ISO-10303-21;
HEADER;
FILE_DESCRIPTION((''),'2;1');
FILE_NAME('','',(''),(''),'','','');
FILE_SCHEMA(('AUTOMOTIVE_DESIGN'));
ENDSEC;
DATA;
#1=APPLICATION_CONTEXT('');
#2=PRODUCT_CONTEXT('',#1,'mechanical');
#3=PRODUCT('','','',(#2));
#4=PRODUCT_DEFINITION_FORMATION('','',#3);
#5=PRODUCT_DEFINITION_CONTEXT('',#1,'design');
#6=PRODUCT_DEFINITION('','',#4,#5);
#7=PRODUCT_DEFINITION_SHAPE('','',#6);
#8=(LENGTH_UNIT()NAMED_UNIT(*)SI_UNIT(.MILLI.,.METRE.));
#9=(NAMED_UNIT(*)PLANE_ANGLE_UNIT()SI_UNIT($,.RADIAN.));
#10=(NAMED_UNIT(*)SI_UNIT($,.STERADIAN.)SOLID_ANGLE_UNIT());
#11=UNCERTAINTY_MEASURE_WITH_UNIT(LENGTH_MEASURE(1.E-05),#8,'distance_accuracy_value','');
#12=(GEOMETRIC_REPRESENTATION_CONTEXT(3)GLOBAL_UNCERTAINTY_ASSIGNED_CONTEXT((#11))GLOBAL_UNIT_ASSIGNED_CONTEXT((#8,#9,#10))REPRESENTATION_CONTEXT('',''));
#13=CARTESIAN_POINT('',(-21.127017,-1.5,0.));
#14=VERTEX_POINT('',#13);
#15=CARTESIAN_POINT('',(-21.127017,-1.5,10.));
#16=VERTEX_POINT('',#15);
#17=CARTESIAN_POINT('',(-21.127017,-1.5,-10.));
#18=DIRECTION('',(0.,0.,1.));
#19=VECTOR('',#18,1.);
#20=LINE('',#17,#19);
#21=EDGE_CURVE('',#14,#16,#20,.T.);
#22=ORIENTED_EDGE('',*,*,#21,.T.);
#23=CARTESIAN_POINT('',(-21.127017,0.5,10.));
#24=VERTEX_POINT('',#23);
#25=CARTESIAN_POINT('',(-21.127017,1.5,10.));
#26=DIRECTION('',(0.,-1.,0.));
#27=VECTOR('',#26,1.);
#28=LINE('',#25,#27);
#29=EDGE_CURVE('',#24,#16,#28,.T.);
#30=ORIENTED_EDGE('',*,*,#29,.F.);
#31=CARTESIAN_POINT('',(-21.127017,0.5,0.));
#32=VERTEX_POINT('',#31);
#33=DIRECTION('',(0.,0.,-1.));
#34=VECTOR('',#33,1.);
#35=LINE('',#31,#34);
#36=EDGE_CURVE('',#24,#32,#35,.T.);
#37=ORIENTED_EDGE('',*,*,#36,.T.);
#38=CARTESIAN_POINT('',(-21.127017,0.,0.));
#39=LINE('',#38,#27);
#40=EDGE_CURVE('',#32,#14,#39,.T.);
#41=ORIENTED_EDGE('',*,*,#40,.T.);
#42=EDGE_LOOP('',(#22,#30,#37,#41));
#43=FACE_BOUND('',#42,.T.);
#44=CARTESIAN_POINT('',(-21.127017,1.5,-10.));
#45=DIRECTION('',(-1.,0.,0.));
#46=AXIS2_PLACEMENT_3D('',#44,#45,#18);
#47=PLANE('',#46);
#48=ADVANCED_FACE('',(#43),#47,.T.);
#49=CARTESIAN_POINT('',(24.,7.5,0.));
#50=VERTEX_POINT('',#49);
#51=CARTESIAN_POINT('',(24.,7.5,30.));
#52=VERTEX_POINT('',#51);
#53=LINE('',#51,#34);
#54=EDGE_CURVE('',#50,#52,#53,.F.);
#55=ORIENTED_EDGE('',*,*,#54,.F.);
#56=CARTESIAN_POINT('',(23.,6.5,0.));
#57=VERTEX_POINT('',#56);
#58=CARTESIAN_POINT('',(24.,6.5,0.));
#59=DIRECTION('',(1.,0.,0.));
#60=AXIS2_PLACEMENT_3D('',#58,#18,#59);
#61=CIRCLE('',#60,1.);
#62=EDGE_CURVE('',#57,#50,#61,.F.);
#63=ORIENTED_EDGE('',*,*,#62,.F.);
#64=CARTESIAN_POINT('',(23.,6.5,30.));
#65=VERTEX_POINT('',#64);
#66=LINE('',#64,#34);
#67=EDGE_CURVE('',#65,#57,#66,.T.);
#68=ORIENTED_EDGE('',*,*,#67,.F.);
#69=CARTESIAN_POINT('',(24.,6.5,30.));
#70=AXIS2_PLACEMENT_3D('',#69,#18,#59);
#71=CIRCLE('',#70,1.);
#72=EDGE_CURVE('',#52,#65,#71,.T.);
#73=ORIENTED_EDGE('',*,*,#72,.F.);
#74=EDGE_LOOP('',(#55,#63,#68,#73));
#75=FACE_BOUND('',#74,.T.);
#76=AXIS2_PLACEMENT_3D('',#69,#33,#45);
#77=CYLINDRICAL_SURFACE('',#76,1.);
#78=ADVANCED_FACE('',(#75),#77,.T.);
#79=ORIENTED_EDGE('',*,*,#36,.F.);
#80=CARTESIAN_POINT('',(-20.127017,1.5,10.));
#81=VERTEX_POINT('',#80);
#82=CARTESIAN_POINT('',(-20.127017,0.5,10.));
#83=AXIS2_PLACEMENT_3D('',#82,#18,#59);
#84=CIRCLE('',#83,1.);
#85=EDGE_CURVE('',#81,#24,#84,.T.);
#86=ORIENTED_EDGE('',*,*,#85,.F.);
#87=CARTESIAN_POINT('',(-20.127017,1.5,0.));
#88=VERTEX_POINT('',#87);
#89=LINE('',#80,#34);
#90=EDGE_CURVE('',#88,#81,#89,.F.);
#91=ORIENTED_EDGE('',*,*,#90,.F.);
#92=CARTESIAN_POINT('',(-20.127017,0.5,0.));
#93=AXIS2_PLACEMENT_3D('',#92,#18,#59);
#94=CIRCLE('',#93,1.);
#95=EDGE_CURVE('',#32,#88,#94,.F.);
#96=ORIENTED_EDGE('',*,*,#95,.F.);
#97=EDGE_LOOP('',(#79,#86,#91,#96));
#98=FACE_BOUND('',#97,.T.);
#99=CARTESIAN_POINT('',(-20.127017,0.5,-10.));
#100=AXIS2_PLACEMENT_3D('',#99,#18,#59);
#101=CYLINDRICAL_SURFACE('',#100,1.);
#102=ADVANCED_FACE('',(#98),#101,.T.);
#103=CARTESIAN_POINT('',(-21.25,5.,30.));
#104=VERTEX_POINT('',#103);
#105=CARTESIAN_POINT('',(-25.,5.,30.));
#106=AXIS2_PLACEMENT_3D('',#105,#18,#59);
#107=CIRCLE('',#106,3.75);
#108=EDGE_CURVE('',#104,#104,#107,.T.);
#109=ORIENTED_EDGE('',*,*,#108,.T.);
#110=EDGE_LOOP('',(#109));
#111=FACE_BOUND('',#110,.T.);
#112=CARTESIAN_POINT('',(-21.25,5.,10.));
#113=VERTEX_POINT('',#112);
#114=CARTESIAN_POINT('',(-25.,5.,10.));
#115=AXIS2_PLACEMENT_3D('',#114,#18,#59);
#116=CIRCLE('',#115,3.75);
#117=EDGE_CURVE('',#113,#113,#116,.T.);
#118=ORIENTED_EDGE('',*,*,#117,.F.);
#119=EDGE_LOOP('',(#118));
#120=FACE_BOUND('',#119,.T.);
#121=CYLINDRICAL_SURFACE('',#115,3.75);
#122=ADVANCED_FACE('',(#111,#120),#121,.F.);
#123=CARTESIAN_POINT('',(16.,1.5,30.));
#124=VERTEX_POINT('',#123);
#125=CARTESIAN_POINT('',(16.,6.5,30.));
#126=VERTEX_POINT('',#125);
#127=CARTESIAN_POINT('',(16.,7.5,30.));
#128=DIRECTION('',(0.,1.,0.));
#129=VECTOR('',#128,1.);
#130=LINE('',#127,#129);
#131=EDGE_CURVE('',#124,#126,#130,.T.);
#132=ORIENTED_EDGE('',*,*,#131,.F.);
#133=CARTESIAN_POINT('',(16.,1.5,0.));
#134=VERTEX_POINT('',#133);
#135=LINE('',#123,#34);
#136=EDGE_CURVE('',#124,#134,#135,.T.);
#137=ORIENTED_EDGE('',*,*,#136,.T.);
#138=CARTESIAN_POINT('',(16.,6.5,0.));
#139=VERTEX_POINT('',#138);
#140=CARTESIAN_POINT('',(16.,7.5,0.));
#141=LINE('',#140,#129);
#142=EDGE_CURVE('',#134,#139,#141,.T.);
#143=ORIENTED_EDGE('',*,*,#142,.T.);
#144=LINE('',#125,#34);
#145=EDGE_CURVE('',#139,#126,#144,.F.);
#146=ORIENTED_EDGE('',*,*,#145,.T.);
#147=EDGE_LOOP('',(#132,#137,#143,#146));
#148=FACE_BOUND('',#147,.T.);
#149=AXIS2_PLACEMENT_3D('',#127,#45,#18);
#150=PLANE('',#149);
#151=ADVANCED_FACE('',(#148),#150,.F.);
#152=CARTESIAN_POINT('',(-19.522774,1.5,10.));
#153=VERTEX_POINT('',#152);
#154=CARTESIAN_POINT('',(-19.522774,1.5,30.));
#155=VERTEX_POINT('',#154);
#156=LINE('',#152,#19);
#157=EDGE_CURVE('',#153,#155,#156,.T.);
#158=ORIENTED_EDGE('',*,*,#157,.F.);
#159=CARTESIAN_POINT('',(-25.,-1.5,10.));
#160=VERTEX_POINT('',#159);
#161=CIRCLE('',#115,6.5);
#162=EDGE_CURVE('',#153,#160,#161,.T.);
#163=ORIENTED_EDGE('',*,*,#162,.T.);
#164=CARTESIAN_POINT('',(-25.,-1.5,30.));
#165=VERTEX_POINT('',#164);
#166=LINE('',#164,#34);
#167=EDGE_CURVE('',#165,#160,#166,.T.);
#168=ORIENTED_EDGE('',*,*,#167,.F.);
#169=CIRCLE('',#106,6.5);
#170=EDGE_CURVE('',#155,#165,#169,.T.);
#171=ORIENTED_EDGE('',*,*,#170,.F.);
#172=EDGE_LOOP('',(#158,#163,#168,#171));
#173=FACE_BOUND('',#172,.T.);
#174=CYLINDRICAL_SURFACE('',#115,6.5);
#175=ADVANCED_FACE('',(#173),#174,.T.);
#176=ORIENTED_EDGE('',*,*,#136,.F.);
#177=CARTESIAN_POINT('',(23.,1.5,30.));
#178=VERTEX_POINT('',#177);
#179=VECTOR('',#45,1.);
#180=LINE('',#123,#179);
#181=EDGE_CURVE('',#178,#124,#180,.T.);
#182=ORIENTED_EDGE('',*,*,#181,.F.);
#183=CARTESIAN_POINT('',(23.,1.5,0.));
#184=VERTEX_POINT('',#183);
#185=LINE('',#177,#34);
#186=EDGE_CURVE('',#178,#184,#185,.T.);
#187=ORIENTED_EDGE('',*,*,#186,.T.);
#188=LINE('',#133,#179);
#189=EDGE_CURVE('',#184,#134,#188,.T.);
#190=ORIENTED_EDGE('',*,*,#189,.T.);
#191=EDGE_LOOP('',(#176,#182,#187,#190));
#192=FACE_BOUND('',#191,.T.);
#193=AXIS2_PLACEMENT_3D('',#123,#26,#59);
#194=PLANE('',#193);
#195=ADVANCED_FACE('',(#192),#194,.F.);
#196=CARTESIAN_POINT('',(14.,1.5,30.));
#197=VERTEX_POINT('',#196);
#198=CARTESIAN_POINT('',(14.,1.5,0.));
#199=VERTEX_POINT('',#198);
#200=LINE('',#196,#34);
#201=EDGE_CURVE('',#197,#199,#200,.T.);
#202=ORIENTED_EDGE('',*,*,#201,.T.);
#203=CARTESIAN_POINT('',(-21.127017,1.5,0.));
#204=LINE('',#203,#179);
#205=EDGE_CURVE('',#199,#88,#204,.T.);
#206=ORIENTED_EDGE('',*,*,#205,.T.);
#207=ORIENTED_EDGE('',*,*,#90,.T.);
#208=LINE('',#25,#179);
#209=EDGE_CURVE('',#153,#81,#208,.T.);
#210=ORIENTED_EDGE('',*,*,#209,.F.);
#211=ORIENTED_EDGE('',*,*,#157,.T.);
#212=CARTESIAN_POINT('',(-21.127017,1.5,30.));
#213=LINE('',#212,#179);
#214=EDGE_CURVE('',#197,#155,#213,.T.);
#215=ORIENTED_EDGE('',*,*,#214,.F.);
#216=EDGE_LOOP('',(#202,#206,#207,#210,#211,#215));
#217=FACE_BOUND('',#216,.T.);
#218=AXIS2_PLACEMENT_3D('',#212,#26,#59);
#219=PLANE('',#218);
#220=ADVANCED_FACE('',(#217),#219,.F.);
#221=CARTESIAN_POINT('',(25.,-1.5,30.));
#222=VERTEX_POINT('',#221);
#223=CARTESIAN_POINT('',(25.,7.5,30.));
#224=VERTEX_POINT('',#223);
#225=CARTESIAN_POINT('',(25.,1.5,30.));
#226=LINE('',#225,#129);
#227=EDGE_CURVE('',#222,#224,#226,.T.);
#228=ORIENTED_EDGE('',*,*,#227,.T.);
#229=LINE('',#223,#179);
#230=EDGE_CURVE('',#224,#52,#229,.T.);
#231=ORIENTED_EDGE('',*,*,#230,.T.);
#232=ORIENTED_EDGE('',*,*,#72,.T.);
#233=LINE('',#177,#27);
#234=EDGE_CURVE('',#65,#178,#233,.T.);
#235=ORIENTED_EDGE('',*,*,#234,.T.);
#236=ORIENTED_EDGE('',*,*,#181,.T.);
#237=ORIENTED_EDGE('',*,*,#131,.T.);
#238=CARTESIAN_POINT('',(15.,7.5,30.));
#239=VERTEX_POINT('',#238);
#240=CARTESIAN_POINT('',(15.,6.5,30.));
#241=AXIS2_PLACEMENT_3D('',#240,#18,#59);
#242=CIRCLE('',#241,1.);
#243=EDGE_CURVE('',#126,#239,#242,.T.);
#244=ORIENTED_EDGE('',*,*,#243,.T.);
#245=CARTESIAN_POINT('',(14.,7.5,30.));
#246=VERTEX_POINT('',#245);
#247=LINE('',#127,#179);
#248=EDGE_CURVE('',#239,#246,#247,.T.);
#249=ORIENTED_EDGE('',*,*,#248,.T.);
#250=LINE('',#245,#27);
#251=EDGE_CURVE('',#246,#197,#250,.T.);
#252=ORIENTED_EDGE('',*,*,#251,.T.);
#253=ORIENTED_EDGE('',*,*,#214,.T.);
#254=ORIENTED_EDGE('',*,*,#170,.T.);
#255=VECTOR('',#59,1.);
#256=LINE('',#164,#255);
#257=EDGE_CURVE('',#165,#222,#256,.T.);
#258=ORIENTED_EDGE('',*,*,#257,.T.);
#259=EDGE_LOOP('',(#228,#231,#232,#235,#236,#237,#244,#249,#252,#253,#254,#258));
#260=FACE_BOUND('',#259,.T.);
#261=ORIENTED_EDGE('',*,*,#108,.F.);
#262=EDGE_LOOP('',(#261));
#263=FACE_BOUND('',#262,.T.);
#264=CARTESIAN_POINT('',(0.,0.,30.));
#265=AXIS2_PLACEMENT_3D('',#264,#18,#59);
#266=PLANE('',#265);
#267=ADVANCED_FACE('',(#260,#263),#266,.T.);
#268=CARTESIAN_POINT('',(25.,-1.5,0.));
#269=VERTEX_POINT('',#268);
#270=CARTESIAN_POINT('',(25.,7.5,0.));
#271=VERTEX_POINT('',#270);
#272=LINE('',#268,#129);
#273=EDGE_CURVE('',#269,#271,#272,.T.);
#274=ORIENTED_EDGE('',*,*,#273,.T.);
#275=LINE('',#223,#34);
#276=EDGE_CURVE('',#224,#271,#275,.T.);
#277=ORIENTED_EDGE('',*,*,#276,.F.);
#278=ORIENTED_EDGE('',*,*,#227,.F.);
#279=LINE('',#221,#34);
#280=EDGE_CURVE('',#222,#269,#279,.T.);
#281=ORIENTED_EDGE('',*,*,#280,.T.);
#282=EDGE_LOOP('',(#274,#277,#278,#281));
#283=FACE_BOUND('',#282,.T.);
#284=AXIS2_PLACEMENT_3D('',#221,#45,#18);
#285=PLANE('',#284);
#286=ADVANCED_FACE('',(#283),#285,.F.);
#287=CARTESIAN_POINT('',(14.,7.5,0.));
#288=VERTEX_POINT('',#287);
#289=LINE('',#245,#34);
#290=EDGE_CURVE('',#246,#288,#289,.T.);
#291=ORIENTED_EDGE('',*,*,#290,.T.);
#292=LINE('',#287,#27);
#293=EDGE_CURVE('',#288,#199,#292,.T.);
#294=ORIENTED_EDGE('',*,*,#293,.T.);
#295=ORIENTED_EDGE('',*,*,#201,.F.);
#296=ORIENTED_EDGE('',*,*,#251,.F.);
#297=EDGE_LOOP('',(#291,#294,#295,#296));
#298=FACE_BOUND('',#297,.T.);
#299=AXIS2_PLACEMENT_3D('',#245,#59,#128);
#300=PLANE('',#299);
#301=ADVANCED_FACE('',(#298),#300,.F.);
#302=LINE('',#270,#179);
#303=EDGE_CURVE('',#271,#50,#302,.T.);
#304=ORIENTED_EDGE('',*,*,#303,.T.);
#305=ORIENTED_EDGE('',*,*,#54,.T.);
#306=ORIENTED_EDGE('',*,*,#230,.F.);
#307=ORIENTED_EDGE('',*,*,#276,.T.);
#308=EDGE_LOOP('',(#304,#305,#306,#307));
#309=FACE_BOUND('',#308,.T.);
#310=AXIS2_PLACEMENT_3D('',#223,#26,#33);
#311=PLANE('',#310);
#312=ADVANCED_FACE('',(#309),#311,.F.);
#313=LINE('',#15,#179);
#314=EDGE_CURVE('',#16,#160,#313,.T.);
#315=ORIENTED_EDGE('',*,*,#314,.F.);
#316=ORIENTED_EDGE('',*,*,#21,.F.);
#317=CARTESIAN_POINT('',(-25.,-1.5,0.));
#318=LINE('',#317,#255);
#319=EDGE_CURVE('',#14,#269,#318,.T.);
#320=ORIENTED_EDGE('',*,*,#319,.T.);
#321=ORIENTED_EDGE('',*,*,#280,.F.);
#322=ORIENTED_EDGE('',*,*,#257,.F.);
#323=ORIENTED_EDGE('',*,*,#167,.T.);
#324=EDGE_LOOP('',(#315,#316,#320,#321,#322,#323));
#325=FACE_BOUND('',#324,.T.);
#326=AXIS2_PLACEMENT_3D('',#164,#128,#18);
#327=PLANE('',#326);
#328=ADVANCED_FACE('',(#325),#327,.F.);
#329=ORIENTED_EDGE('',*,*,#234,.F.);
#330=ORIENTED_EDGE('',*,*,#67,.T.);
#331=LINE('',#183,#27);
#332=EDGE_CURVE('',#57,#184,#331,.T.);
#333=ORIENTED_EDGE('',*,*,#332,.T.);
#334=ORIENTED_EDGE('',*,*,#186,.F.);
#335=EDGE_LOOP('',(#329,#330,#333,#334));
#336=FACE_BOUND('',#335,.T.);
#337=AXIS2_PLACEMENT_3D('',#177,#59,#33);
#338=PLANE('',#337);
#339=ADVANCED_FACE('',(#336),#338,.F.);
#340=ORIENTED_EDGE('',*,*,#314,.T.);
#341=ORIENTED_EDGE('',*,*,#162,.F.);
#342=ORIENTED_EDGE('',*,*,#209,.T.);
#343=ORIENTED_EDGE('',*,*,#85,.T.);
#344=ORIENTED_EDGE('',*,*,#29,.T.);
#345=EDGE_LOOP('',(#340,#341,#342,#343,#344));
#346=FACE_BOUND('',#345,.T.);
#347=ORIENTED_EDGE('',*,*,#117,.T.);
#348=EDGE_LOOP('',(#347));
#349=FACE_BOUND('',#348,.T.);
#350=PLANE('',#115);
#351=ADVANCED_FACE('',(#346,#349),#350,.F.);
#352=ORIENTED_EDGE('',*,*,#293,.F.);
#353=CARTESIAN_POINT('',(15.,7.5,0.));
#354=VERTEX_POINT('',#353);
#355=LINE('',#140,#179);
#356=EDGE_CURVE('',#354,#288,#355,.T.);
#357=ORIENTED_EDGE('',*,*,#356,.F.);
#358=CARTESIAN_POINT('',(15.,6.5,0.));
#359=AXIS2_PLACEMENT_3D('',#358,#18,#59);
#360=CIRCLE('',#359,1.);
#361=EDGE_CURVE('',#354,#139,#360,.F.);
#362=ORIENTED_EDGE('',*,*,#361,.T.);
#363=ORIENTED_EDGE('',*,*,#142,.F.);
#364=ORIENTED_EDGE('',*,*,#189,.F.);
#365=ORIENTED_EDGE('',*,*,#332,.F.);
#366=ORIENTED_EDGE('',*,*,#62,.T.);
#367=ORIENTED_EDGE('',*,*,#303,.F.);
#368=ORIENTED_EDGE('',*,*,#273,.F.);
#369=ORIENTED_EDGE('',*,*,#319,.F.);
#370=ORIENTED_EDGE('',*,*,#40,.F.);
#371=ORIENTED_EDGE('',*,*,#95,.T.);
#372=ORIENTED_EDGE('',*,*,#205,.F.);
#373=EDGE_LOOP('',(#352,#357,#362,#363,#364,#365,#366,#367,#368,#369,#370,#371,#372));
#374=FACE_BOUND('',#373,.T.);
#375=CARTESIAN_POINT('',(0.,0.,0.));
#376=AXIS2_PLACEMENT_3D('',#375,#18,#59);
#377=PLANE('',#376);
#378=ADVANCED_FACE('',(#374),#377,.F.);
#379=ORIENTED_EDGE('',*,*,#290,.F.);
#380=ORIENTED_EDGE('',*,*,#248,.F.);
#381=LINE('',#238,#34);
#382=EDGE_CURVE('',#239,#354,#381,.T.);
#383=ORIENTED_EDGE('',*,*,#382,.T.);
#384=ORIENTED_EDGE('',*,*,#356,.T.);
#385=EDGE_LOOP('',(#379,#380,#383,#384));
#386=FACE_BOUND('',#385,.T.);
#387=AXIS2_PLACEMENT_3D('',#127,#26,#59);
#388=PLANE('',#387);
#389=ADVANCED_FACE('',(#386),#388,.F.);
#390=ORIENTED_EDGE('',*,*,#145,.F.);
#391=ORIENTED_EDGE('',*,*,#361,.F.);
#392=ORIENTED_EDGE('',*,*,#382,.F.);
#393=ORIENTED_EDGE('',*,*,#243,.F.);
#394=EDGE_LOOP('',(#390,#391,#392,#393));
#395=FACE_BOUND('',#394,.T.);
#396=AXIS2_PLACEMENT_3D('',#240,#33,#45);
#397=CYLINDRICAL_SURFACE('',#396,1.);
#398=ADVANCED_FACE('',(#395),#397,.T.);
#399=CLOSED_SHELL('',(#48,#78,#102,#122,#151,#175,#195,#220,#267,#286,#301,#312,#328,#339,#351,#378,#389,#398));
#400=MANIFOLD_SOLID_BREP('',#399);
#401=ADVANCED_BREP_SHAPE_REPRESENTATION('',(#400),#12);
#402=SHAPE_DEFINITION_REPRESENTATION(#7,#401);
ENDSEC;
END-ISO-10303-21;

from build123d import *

# Parameters (mm, degrees)
BOSS_EXTRUDE1_DEPTH = 30
SKETCH3_R           = 6.5
SKETCH3_R_2         = 3.75
BOSS_EXTRUDE2_DEPTH = 20
SKETCH4_W           = 3.872983346
SKETCH4_H           = 3
CUT_EXTRUDE1_DEPTH  = 20
FILLET1_R           = 1


with BuildPart() as part:
    # Sketch1 → Boss-Extrude1 (new body)
    with BuildSketch(Plane.XY):
        Polygon((-25, -1.5), (25, -1.5), (25, 1.5), (25, 7.5), (23, 7.5), (23, 1.5), (16, 1.5), (16, 7.5), (14, 7.5), (14, 1.5), (-21.127016654, 1.5), align=None)
    extrude(amount=BOSS_EXTRUDE1_DEPTH)

    # Sketch3 → Boss-Extrude2 (add)
    with BuildSketch(Plane.XY.offset(30)):
        with Locations((-25, 5)):
            Circle(SKETCH3_R)
        with Locations((-25, 5)):
            Circle(SKETCH3_R_2, mode=Mode.SUBTRACT)
    extrude(amount=-BOSS_EXTRUDE2_DEPTH)

    # Sketch4 → Cut-Extrude1 (cut)
    with BuildSketch(Plane(origin=(0, 0, 10), x_dir=(-1, 0, 0), z_dir=(0, 0, -1))):
        with Locations((23.063508327, 0)):
            Rectangle(SKETCH4_W, SKETCH4_H)
    extrude(amount=CUT_EXTRUDE1_DEPTH, mode=Mode.SUBTRACT)

    # Fillet1
    fillet1_edges = [part.edges().sort_by_distance(p)[0] for p in [
        (16, 7.5, 15),
        (23, 7.5, 15),
        (-21.127016654, 1.5, 5),
    ]]
    fillet(fillet1_edges, radius=FILLET1_R)


solid = part.part
